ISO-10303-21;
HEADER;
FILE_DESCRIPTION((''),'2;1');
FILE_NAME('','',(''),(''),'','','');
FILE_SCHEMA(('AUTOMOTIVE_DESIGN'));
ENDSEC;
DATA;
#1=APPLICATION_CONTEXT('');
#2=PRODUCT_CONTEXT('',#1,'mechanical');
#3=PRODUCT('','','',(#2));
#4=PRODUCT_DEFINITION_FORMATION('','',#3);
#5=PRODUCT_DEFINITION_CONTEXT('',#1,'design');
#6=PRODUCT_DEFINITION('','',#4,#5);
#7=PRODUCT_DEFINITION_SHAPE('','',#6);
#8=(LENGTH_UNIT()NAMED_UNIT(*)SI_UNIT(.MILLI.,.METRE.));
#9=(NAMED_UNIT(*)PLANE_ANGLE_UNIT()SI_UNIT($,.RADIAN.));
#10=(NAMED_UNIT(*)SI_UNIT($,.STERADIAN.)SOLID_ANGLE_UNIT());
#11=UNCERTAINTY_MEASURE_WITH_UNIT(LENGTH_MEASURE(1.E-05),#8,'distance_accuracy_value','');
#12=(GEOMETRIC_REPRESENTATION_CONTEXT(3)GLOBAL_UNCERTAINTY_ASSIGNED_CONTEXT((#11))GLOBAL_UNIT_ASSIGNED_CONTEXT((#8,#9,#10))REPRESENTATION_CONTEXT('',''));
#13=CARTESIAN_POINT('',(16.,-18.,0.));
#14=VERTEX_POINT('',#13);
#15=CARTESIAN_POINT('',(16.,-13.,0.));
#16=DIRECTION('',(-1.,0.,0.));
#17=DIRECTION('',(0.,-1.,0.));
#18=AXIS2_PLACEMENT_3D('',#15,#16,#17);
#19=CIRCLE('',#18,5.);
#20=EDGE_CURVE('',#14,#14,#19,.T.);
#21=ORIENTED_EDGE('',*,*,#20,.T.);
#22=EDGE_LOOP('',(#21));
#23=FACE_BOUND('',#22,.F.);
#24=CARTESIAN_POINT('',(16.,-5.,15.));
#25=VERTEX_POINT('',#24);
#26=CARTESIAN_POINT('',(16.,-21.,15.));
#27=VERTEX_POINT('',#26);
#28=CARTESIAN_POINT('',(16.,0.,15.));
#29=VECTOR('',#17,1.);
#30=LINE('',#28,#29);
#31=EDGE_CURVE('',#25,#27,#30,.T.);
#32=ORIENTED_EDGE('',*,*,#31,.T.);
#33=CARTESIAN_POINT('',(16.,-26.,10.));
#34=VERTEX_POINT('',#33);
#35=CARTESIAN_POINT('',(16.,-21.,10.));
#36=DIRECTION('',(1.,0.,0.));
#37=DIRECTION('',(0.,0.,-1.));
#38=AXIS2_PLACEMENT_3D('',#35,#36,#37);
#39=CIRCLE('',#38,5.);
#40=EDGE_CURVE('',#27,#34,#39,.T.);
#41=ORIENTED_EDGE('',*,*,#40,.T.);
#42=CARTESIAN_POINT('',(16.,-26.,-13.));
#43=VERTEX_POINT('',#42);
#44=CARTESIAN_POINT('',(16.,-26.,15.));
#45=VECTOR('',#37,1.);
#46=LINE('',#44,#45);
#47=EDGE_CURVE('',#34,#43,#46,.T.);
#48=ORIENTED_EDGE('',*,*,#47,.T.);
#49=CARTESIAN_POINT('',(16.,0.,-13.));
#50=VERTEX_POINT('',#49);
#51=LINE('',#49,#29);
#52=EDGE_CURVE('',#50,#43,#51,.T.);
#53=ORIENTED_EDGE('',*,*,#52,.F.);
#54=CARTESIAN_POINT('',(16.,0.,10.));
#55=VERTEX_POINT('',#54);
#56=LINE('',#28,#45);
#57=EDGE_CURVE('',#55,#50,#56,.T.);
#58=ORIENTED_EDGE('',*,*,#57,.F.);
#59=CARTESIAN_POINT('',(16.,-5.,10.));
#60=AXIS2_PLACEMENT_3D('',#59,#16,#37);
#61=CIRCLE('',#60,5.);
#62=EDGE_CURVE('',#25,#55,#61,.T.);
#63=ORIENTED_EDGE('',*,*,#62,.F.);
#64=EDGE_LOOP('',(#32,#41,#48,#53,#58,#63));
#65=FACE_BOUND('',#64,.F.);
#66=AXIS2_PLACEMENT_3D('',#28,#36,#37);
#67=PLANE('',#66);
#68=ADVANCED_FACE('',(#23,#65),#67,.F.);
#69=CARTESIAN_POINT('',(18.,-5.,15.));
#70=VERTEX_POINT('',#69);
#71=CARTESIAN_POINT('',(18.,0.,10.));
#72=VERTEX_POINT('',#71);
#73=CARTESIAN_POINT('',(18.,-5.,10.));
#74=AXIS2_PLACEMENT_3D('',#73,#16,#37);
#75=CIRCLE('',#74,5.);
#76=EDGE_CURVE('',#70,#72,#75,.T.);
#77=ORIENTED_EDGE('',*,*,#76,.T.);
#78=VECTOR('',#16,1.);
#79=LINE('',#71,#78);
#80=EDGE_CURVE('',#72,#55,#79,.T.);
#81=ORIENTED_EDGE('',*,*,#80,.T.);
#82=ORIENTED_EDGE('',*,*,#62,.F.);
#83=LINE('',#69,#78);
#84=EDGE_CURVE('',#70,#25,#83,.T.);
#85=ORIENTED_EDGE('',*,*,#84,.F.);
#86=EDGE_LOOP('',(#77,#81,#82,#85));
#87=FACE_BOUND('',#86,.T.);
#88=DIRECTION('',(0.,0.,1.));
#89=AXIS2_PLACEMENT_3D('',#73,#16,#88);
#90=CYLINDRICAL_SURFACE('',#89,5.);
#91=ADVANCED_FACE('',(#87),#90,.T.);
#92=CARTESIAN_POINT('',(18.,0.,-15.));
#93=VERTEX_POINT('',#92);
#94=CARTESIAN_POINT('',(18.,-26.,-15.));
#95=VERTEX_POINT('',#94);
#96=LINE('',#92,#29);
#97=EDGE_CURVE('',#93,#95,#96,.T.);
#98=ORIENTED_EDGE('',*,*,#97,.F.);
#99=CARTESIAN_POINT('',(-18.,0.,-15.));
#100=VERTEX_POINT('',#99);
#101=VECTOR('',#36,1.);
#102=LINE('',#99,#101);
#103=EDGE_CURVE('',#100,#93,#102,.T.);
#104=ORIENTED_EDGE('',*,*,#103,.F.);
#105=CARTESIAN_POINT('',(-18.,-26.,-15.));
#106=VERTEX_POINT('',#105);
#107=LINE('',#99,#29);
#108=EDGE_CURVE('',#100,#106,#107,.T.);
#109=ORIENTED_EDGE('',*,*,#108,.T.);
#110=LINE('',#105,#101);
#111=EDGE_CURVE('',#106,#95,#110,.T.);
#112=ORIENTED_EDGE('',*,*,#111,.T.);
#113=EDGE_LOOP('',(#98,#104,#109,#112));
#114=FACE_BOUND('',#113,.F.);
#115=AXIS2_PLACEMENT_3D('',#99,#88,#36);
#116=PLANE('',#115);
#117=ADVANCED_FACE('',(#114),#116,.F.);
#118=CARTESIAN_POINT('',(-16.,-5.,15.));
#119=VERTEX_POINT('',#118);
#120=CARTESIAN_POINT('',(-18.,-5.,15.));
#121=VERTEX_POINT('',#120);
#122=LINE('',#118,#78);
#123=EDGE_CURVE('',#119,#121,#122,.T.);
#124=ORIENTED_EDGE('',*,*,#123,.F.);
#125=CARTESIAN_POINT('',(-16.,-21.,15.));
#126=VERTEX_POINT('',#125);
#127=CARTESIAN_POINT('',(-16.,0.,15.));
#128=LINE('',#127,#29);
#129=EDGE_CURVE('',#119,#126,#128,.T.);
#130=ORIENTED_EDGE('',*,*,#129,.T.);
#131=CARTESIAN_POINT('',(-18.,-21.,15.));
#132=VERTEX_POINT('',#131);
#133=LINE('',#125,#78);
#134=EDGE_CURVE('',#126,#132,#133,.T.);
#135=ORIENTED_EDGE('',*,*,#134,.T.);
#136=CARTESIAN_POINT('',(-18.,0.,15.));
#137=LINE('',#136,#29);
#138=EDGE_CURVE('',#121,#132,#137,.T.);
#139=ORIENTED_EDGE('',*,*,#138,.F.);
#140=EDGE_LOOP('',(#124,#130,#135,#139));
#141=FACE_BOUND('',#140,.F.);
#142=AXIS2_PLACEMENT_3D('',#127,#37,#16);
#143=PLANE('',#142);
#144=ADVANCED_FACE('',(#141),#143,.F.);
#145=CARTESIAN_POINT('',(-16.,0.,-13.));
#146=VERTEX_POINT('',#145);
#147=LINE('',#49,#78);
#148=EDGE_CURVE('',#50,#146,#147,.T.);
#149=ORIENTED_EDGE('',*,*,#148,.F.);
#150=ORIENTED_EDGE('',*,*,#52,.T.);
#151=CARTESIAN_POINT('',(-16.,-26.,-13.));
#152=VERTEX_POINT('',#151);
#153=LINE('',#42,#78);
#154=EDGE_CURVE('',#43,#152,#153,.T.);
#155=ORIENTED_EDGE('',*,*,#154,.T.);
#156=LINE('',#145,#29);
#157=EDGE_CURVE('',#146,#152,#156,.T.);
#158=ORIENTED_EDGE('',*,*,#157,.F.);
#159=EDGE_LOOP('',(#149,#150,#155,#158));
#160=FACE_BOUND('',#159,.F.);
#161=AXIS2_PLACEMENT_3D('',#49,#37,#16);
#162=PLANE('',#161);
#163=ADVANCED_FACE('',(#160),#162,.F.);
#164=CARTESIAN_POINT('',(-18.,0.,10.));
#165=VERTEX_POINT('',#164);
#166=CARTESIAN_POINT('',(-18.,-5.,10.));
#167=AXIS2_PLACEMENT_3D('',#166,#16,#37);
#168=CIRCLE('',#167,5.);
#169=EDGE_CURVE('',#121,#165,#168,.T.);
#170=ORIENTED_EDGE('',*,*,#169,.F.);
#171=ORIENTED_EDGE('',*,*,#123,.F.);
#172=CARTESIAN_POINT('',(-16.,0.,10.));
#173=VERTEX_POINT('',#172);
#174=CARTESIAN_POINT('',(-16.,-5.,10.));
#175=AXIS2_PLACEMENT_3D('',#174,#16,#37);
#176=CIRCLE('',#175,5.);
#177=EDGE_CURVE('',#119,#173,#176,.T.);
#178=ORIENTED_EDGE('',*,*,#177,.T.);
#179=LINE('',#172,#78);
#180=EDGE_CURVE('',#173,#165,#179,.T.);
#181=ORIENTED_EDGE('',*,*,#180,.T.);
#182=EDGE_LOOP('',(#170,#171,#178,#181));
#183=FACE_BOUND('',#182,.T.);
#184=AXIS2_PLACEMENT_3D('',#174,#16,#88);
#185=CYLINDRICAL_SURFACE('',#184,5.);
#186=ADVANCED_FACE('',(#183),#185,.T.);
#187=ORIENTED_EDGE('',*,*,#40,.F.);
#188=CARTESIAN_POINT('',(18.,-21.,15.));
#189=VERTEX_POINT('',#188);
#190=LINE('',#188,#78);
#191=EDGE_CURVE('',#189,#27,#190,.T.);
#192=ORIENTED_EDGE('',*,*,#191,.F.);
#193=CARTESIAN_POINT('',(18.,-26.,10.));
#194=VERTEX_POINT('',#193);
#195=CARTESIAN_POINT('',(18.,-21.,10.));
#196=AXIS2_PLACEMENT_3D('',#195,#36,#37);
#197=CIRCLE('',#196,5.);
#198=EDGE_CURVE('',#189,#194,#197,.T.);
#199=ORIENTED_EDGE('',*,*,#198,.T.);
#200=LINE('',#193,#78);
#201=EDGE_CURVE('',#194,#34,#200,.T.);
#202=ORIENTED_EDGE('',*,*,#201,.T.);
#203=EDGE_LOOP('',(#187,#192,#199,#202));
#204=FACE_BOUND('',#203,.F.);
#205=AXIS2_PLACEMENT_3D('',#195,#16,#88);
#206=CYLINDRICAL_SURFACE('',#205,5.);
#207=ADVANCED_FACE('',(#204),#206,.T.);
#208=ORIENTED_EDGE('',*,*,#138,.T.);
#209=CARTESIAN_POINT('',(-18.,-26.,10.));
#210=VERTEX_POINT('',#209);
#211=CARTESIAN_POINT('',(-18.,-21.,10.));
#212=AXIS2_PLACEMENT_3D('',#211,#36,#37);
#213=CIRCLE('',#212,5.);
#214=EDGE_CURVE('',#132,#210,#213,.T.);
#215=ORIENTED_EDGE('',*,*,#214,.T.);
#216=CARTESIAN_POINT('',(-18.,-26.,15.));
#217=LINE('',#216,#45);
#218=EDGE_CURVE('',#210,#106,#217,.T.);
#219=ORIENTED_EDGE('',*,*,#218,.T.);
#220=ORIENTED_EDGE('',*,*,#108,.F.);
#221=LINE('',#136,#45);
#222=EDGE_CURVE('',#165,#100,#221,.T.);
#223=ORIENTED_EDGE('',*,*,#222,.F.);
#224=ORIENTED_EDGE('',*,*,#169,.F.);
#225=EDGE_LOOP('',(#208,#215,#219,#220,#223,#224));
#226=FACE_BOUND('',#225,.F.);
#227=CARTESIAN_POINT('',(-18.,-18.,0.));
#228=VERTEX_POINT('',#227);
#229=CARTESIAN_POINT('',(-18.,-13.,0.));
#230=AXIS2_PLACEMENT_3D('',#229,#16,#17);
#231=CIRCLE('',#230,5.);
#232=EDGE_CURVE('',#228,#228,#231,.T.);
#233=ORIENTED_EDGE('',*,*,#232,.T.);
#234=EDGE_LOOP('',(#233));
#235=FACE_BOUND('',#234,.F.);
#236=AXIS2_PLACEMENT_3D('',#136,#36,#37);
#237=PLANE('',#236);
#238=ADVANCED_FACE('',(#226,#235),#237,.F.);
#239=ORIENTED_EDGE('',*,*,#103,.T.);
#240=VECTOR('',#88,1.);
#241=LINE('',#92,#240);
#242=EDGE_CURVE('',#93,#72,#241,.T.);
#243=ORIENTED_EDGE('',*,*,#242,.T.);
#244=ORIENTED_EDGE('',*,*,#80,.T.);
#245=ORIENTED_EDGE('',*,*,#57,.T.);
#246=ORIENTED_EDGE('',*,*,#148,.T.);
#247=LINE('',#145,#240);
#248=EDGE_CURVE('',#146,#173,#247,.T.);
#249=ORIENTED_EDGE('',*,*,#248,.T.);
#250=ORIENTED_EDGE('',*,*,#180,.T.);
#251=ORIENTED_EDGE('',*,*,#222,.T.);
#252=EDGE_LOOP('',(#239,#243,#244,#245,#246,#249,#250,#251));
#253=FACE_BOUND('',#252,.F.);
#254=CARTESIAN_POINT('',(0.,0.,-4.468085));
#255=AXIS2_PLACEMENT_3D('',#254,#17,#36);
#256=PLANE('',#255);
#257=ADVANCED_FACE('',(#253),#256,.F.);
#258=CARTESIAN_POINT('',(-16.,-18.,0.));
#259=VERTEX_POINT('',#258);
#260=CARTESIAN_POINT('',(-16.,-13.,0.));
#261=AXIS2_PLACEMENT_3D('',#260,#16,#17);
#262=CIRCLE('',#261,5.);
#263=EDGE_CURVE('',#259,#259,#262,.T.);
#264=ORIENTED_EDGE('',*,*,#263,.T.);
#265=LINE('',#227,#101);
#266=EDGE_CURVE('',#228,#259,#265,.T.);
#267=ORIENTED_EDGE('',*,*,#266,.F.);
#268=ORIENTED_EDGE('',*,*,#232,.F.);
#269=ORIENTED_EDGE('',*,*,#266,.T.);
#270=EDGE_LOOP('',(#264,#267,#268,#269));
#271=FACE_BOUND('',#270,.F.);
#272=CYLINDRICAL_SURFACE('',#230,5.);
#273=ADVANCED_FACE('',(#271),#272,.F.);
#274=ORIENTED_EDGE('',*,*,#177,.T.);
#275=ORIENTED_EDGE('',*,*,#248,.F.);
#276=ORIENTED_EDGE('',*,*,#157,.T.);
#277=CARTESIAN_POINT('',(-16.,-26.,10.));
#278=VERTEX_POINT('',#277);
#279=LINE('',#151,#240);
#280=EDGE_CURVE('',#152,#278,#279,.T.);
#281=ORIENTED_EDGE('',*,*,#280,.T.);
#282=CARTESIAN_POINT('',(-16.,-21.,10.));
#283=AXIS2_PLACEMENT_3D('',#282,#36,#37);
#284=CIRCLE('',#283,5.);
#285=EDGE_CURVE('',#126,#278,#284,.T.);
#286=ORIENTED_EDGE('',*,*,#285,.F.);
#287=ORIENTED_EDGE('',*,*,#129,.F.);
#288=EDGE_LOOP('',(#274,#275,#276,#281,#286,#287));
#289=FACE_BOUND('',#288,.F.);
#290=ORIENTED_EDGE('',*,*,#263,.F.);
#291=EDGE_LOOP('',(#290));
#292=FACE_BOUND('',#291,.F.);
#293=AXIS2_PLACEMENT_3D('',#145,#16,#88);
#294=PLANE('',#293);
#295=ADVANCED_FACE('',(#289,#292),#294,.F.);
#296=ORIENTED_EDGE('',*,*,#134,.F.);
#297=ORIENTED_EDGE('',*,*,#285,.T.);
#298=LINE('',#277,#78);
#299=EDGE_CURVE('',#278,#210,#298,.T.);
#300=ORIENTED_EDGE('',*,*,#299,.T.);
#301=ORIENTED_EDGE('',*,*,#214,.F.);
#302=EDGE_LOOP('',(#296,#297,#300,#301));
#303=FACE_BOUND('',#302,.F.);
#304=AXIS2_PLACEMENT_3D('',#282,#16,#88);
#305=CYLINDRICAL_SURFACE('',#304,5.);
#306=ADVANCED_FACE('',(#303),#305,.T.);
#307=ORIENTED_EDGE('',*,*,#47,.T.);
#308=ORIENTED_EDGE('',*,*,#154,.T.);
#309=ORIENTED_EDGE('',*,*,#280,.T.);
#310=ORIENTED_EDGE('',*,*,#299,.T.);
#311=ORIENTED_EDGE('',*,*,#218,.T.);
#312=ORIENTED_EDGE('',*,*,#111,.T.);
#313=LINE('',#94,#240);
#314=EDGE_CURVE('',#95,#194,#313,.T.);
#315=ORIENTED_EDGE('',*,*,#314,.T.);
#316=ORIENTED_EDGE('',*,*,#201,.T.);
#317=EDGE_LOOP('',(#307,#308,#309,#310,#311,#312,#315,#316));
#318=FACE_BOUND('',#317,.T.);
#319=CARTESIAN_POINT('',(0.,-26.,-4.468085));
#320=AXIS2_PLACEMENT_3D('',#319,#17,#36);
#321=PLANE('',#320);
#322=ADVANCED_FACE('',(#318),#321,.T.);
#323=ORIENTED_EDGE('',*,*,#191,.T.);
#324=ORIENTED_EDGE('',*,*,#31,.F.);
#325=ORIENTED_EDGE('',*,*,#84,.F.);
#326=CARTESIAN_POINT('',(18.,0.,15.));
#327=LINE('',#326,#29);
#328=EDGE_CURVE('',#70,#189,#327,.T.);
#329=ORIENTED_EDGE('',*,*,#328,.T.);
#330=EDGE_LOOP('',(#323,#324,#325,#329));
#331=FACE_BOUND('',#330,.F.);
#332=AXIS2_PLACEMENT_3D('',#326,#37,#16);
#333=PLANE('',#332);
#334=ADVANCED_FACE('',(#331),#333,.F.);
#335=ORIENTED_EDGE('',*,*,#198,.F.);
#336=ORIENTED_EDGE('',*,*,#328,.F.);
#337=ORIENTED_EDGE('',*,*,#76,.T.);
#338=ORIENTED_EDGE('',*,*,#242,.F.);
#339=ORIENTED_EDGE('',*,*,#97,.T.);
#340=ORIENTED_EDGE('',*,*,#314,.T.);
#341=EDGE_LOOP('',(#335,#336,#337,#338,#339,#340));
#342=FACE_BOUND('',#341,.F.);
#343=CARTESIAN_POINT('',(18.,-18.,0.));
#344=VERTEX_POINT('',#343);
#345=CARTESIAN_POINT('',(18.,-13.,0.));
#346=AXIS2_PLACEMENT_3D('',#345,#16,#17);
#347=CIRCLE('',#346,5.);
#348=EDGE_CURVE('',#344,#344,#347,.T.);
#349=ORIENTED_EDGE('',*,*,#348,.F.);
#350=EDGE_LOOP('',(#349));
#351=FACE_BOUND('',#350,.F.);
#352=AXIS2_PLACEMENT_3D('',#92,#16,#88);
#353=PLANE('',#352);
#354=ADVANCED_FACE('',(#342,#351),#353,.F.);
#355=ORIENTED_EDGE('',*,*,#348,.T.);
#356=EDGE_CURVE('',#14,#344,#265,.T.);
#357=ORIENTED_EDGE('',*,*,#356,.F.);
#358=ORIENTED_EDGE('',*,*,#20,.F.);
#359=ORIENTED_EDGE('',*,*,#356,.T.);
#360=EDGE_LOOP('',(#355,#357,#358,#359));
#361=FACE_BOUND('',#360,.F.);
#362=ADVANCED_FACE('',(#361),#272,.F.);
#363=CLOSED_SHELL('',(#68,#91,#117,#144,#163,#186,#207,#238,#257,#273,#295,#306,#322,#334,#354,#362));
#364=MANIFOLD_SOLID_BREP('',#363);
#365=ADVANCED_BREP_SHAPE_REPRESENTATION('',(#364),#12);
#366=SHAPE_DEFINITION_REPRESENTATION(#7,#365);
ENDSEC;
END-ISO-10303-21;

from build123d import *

# Parameters (mm, degrees)
F1_DEPTH = 26
F2_R     = 5
F3_R     = 5
F4_DEPTH = 40


with BuildPart() as f1:
    # F0 (on Front) → F1 (new body)
    with BuildSketch(Plane.XZ):
        Polygon((-16, 15), (-18, 15), (-18, -15), (18, -15), (18, 15), (16, 15), (16, -13), (-16, -13), align=None)
    extrude(amount=F1_DEPTH)

    # F2
    f2_edges = [f1.edges().sort_by_distance(p)[0] for p in [
        (-17, 0, 15),
        (17, 0, 15),
        (-17, -26, 15),
        (17, -26, 15),
    ]]
    fillet(f2_edges, radius=F2_R)

    # F3 (on face) → F4 (cut)
    with BuildSketch(Plane(origin=(-18, 0, 0), x_dir=(0, -1, 0), z_dir=(-1, 0, 0))):
        with Locations((13, 0)):
            Circle(F3_R)
    extrude(amount=-F4_DEPTH, mode=Mode.SUBTRACT)


solid = f1.part
